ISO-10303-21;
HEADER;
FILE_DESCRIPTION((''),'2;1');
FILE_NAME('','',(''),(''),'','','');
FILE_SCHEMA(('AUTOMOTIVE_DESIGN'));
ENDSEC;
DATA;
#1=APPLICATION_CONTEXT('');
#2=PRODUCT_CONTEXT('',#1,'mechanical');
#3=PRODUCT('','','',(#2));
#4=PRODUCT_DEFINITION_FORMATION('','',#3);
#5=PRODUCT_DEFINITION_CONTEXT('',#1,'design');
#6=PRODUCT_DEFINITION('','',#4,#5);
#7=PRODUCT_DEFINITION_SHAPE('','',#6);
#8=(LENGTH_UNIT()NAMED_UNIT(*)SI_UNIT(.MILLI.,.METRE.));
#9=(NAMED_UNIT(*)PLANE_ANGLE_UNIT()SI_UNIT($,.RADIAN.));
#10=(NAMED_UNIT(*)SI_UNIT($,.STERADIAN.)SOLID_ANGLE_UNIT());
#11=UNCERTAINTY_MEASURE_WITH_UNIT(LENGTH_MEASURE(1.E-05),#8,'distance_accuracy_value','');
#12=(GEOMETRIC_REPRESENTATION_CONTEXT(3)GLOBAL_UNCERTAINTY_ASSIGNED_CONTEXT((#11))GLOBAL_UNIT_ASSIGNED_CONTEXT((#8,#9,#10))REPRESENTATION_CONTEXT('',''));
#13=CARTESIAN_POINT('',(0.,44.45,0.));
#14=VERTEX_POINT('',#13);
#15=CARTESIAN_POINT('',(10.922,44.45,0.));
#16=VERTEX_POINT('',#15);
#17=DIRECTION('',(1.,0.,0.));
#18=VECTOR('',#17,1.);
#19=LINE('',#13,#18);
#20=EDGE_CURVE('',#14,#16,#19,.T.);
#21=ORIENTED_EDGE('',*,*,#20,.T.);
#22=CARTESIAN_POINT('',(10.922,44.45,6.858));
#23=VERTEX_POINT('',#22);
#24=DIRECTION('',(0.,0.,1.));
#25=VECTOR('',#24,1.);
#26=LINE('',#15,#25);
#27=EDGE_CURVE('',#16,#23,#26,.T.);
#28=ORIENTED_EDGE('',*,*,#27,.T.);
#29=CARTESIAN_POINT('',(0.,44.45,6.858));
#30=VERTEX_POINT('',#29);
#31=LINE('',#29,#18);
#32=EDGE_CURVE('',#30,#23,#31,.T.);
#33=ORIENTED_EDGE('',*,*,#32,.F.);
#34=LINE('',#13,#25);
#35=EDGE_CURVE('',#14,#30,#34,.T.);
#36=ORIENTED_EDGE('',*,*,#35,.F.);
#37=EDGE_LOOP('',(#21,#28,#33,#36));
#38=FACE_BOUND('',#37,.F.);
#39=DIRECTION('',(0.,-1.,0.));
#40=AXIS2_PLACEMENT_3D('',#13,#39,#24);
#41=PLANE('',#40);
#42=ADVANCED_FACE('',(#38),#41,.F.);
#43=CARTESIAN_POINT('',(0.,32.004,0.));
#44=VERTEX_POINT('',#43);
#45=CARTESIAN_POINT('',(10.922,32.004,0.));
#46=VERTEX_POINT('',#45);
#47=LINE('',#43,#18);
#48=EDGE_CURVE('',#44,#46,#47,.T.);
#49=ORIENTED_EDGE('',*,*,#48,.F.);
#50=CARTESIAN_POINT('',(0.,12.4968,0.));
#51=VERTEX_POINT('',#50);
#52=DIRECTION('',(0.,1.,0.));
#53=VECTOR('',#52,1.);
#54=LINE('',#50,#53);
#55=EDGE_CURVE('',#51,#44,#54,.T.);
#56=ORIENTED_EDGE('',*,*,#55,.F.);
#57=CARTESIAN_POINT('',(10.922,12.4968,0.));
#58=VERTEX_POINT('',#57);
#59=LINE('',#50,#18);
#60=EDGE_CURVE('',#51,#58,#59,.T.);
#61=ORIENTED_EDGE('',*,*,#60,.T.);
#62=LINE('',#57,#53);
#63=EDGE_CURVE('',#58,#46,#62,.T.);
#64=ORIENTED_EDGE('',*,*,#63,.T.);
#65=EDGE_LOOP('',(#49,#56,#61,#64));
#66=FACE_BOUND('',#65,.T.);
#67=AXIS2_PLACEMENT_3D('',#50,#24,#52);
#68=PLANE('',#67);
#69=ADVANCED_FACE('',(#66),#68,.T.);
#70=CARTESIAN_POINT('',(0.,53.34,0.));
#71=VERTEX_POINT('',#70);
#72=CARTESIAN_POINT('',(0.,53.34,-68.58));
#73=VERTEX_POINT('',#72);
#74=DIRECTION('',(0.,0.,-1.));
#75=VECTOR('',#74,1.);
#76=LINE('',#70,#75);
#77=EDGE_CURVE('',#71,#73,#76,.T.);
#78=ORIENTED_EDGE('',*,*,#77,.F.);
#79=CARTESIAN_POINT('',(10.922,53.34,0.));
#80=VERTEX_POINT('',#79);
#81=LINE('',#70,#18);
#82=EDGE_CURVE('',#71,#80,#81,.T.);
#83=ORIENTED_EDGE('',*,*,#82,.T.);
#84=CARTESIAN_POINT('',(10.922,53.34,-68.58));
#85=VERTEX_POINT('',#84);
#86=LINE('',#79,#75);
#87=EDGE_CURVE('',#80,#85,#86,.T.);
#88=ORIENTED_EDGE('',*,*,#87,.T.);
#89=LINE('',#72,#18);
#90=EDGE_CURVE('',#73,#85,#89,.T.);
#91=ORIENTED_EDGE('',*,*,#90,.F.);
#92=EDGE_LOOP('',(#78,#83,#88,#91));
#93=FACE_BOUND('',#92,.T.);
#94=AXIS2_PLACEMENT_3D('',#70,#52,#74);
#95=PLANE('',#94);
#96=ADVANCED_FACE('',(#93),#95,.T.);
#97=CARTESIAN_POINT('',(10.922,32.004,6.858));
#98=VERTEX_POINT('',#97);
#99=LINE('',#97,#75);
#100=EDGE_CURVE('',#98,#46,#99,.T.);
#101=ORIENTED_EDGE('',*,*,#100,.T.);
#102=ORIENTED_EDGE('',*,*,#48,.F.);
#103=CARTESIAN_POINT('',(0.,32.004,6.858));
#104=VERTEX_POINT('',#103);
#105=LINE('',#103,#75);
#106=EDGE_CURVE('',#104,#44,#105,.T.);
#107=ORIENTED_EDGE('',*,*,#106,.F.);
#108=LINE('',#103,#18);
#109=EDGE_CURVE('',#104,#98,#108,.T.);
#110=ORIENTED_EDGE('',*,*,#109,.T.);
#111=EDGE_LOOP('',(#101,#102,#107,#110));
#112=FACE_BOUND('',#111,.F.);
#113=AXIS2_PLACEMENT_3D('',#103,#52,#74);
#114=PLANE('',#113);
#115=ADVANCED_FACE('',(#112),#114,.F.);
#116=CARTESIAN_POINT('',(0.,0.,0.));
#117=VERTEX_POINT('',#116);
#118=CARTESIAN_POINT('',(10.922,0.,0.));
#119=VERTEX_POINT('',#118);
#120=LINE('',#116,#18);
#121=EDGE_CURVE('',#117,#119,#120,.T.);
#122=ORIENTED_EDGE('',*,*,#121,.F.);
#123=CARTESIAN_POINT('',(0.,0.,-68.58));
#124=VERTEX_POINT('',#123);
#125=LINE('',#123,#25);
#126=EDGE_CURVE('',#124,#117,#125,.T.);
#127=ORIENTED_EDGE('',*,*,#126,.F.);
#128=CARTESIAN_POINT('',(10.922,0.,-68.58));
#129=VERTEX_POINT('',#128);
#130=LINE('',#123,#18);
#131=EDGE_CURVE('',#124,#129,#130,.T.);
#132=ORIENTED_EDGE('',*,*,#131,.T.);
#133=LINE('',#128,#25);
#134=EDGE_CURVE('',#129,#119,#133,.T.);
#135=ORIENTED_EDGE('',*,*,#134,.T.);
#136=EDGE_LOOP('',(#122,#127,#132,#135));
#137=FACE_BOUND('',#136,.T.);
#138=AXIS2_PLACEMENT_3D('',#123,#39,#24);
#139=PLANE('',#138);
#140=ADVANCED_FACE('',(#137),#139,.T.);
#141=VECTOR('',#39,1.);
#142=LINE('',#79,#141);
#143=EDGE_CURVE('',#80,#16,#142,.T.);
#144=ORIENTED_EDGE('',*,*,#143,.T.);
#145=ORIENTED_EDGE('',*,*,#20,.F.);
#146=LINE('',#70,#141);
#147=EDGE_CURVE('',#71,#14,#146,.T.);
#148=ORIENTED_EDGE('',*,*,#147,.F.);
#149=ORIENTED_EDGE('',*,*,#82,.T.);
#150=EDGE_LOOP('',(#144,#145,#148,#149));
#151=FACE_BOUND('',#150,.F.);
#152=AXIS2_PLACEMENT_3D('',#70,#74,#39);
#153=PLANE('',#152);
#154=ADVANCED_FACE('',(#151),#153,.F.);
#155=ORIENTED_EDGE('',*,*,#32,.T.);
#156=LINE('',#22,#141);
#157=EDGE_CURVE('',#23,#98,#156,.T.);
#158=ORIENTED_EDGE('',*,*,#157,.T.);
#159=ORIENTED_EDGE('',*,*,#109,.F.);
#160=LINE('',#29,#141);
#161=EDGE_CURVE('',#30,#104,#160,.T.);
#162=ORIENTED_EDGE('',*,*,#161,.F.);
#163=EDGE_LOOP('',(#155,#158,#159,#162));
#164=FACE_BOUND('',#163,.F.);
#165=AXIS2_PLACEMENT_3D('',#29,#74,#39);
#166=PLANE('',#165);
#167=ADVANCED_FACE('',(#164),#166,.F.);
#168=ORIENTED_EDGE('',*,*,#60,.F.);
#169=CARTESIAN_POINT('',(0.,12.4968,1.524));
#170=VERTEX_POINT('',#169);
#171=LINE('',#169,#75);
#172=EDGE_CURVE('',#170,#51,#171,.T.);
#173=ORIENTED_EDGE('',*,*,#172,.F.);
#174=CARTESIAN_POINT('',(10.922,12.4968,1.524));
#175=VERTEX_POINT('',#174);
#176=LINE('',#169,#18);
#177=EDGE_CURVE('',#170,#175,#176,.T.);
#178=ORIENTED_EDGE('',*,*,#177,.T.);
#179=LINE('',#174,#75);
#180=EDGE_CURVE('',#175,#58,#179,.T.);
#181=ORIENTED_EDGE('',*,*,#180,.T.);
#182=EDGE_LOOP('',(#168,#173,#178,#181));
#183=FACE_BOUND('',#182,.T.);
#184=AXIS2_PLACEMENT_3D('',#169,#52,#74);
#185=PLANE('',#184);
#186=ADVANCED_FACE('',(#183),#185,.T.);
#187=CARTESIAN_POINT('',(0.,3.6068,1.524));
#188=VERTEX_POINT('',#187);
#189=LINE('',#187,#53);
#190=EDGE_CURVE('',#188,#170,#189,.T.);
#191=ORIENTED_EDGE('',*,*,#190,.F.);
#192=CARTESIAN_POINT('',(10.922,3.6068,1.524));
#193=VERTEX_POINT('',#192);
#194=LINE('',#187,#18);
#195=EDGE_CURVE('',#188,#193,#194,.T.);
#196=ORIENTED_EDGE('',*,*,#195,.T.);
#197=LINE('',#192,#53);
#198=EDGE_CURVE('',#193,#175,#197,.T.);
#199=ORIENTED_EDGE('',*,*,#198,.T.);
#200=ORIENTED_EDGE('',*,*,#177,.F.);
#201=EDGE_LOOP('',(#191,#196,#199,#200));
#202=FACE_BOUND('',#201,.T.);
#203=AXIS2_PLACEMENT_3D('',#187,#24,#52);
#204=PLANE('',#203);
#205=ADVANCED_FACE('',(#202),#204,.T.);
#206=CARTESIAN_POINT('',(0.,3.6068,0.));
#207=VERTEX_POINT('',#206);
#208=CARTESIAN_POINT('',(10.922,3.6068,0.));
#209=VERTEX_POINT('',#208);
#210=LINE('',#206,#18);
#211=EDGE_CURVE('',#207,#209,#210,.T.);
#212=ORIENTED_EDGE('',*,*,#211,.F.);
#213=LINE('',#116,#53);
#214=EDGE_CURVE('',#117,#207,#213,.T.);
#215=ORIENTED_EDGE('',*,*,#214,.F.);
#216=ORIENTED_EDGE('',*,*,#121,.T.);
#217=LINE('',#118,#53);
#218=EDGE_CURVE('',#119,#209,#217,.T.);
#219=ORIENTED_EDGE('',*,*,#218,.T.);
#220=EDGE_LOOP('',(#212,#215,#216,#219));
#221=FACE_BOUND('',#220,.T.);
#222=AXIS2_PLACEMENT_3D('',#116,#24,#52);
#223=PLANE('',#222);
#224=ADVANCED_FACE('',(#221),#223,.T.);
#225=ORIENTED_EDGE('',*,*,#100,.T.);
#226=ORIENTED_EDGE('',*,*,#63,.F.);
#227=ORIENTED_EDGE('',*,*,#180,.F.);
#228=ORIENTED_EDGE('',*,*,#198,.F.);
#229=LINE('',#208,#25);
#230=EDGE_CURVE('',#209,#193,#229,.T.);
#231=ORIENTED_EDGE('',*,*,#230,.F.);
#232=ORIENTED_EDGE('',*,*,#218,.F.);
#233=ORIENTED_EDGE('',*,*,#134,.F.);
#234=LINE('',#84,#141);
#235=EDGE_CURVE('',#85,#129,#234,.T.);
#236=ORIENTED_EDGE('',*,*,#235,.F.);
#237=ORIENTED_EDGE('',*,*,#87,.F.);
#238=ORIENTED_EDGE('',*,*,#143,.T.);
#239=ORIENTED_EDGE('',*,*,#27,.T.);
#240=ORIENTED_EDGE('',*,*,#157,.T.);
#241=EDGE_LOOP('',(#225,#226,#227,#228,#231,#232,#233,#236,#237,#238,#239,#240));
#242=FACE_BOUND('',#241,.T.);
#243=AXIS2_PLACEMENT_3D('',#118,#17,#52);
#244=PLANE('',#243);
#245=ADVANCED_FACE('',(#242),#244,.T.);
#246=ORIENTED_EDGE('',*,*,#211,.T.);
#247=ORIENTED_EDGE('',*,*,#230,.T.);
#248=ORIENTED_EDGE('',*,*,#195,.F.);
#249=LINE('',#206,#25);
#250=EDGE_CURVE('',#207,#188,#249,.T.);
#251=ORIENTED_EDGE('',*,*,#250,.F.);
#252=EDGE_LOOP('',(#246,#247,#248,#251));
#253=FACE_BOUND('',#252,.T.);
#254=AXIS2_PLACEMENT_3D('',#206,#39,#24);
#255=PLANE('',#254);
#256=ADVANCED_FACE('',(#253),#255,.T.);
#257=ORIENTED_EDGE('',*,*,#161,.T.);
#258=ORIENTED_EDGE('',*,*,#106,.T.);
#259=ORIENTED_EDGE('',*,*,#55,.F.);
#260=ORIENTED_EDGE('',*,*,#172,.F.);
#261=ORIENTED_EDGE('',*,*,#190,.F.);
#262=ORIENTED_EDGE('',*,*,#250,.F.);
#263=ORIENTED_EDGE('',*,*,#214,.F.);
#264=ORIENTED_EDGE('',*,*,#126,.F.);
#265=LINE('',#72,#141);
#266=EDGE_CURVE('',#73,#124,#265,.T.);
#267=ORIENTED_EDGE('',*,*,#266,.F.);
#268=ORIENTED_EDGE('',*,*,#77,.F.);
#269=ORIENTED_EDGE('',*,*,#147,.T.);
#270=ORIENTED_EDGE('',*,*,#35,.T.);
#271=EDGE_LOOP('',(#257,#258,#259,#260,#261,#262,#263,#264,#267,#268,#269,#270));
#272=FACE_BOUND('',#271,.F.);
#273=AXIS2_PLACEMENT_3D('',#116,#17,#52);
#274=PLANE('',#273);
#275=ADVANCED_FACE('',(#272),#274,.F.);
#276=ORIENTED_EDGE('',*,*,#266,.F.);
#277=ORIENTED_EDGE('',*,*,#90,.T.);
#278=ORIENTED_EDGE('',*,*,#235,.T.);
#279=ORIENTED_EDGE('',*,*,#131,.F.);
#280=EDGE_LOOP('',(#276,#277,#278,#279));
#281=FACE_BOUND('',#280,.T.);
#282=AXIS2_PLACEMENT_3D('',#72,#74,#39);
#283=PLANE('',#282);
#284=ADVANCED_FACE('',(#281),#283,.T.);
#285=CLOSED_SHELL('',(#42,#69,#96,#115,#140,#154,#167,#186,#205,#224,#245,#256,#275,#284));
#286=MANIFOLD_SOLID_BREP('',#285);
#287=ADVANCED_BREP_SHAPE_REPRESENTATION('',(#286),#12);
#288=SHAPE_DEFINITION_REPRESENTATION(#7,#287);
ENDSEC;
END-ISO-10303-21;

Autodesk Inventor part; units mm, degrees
ref_plane "YZ Plane" through (0, 0, 0) normal (1, 0, 0) x (0, 1, 0)
ref_plane "XZ Plane" through (0, 0, 0) normal (0, 1, 0) x (-1, 0, 0)
ref_plane "XY Plane" through (0, 0, 0) normal (0, 0, 1) x (1, 0, 0)
sketch "Sketch1" plane through (0, 0, 0) normal (1, 0, 0) x (0, 1, 0)
  line L0 (53.34, 0) -> (53.34, -68.58)
  line L1 (53.34, -68.58) -> (0, -68.58)
  line L2 (0, -68.58) -> (0, 0)
  line L3 (53.34, 0) -> (44.45, 0)
  line L4 (44.45, 0) -> (44.45, 6.858)
  line L5 (44.45, 6.858) -> (32.004, 6.858)
  line L6 (32.004, 6.858) -> (32.004, 0)
  line L7 (44.45, 0) -> (53.34, 0)
  line L8 (0, 0) -> (3.6068, 0)
  line L9 (3.6068, 0) -> (3.6068, 1.524)
  line L10 (3.6068, 1.524) -> (12.4968, 1.524)
  line L11 (12.4968, 1.524) -> (12.4968, 0)
  line L12 (0, 0) -> (3.6068, 0)
  line L13 (12.4968, 0) -> (32.004, 0)
  dimension "d0" = 53.34
  dimension "d1" = 68.58
  dimension "d2" = 8.89
  dimension "d3" = 6.858
  dimension "d4" = 12.446
  dimension "d5" = 3.6068
  dimension "d6" = 1.524
  dimension "d7" = 8.89
extrude "Extrusion1" add sketch "Sketch1" along normal blind 10.922
properties part number "msheehan_uno_board"
